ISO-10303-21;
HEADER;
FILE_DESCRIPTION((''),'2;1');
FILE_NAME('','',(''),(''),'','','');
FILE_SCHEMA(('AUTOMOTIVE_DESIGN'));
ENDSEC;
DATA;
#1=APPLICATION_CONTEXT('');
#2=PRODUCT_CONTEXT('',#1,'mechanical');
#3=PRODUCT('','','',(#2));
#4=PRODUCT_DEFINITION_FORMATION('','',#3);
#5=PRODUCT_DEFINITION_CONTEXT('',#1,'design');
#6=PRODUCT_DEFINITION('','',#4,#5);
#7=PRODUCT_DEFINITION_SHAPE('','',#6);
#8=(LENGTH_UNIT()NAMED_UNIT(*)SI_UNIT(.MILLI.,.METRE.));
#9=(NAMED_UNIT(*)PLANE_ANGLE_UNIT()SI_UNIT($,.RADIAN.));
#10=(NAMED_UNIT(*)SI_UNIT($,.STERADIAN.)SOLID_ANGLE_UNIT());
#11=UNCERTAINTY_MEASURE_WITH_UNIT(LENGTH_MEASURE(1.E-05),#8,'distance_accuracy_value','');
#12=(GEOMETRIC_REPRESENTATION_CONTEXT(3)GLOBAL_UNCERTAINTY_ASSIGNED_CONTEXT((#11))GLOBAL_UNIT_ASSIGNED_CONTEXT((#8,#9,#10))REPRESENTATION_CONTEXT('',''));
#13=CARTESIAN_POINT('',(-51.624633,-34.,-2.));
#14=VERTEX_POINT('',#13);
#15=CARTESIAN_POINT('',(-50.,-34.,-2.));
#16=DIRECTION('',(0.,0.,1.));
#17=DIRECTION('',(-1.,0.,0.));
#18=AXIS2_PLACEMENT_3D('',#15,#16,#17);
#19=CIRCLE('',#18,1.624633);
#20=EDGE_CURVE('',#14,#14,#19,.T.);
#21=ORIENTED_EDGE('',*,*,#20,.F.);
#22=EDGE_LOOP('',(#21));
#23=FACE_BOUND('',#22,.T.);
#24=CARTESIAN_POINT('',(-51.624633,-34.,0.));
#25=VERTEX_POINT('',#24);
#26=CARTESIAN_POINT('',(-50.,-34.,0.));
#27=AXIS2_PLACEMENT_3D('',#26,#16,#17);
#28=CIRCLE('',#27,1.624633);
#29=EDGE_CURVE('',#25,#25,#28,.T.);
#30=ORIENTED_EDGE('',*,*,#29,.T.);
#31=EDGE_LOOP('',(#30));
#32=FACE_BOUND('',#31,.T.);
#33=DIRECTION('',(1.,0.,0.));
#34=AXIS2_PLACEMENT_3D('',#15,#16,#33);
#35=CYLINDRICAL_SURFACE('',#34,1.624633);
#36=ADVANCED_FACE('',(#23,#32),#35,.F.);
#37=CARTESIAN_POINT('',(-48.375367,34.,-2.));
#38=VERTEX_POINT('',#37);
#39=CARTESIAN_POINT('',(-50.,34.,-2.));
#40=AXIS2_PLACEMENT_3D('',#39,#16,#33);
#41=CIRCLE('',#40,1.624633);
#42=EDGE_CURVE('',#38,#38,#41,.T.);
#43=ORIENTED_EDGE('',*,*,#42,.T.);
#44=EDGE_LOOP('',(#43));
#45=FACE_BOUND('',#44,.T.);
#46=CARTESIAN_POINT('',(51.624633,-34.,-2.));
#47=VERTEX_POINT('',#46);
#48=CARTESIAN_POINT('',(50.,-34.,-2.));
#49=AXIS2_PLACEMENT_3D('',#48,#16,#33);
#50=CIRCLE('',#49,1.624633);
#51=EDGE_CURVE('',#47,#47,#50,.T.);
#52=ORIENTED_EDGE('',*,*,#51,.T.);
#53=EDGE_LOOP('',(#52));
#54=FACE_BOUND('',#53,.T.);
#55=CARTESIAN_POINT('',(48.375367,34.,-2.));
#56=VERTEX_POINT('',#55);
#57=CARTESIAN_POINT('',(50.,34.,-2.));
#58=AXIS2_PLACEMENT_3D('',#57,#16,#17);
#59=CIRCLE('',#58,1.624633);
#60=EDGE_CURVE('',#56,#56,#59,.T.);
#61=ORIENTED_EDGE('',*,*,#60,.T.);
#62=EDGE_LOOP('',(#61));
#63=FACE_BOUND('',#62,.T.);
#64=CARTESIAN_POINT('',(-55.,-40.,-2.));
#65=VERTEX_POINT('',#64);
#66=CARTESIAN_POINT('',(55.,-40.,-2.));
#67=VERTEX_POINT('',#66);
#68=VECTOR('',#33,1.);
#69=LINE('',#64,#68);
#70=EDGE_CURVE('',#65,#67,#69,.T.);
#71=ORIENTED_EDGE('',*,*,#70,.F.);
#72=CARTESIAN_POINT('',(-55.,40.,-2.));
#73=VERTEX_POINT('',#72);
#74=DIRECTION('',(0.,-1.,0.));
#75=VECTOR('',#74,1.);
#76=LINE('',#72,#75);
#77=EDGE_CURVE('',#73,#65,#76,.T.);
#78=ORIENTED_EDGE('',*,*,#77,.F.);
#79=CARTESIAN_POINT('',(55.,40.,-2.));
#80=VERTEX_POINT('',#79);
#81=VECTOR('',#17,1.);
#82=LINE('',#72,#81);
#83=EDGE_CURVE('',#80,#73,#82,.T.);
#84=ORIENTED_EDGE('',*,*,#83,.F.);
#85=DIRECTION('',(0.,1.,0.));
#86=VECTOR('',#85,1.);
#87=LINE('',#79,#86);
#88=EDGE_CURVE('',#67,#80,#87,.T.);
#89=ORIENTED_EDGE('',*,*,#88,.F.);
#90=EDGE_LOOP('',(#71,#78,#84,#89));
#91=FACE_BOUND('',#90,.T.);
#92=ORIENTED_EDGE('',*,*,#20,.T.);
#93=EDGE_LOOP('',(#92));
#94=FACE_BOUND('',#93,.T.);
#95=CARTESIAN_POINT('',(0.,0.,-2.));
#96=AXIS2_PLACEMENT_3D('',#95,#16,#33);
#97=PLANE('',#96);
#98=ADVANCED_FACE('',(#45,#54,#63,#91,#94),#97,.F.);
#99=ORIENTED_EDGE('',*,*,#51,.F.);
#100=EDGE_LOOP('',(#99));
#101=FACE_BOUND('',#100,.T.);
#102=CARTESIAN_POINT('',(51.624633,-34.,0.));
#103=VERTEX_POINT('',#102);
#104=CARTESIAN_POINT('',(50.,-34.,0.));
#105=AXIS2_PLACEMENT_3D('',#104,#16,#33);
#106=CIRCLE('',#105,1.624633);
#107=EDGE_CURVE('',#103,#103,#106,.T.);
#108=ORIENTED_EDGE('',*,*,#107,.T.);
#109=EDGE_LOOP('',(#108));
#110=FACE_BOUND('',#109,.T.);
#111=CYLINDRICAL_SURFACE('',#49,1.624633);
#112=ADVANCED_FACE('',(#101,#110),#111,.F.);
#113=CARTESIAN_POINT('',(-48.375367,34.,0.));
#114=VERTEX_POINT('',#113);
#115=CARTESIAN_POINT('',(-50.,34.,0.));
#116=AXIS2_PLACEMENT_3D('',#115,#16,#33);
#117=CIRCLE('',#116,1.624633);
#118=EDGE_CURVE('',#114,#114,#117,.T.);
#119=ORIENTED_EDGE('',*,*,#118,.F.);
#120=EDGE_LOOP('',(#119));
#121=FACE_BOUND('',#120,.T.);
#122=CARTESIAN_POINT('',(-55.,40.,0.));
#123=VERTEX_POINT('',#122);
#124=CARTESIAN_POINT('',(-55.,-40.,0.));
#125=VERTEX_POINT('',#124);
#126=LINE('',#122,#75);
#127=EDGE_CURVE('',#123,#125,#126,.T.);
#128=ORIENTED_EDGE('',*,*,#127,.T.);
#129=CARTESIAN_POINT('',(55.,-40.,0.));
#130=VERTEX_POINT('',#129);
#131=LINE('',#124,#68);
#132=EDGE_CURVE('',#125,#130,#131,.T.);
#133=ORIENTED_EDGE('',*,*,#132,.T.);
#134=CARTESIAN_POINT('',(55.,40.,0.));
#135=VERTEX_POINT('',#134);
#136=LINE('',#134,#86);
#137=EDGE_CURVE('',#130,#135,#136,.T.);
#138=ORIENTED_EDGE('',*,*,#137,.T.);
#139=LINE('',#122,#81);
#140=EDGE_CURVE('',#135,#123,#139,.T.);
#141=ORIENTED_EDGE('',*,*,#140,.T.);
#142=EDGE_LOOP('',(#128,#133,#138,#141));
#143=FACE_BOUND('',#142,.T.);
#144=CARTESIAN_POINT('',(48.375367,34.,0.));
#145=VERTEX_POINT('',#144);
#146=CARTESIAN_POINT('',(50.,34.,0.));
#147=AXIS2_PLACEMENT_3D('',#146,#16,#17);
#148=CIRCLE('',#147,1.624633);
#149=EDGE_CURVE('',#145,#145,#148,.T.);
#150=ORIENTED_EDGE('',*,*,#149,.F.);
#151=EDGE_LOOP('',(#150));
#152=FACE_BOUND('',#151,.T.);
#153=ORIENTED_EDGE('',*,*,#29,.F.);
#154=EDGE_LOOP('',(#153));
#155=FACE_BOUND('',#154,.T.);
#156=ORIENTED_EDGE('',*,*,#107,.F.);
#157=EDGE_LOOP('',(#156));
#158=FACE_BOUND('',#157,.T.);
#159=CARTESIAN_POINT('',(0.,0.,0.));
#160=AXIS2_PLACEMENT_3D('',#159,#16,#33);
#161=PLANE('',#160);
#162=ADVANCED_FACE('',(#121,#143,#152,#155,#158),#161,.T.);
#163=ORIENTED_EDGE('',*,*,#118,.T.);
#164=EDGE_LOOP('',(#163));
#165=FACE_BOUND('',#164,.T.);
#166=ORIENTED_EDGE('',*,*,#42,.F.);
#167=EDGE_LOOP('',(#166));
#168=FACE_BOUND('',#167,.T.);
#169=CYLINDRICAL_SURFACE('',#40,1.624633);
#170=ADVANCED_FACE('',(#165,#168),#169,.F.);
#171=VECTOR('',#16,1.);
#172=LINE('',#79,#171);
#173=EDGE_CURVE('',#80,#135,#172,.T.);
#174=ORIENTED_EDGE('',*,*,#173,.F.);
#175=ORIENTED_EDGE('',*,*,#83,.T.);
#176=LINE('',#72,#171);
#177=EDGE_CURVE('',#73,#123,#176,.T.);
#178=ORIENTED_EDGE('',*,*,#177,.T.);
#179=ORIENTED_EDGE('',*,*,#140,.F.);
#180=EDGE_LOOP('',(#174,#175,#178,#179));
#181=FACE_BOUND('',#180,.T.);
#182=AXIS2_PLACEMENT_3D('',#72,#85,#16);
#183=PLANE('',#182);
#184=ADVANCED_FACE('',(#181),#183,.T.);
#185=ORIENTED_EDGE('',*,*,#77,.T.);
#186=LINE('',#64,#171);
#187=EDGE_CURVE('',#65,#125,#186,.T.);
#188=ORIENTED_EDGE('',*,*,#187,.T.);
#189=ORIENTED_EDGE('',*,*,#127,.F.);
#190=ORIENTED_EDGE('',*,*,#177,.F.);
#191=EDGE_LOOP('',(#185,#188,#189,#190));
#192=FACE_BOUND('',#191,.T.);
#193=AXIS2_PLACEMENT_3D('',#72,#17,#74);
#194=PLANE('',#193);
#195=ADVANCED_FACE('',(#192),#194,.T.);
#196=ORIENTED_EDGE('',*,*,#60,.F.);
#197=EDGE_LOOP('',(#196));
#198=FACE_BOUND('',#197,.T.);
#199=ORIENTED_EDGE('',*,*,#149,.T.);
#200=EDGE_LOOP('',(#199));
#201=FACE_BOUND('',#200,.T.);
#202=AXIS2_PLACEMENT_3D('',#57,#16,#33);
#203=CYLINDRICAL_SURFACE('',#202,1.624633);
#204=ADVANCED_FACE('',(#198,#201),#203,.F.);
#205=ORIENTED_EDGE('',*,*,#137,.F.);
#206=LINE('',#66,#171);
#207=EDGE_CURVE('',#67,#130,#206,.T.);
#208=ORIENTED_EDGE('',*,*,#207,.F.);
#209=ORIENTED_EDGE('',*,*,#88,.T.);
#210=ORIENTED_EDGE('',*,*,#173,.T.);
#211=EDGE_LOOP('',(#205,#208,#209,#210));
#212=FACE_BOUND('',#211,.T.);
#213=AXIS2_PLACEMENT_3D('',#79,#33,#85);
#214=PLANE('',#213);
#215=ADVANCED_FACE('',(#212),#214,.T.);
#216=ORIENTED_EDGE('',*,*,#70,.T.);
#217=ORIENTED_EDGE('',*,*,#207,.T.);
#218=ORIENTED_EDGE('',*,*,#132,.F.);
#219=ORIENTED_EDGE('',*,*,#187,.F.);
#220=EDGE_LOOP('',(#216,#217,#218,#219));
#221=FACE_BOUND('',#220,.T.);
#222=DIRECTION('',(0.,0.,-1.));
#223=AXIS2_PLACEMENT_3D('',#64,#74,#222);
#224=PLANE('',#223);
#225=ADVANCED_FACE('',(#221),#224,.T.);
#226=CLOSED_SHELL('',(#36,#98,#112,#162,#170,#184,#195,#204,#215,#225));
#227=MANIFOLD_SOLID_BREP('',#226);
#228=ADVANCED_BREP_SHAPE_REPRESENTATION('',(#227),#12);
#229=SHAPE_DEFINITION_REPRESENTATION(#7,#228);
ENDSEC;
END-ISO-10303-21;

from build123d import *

# Parameters (mm, degrees)
SKETCH1_W           = 110
SKETCH1_H           = 80
BOSS_EXTRUDE1_DEPTH = 2
SKETCH2_R           = 1.624633008
CUT_EXTRUDE1_DEPTH  = 69.036754773


with BuildPart() as part:
    # Sketch1 → Boss-Extrude1 (new body)
    with BuildSketch(Plane.XY):
        Rectangle(SKETCH1_W, SKETCH1_H)
    extrude(amount=-BOSS_EXTRUDE1_DEPTH)

    # Sketch2 → Cut-Extrude1 (cut, through all)
    with BuildSketch(Plane.XY):
        with Locations((-50, 34)):
            Circle(SKETCH2_R)
        with Locations(Location((50, 34, 0), (0, 0, 180))):
            Circle(SKETCH2_R)
        with Locations((50, -34)):
            Circle(SKETCH2_R)
        with Locations(Location((-50, -34, 0), (0, 0, 180))):
            Circle(SKETCH2_R)
    extrude(amount=-CUT_EXTRUDE1_DEPTH, mode=Mode.SUBTRACT)


solid = part.part
